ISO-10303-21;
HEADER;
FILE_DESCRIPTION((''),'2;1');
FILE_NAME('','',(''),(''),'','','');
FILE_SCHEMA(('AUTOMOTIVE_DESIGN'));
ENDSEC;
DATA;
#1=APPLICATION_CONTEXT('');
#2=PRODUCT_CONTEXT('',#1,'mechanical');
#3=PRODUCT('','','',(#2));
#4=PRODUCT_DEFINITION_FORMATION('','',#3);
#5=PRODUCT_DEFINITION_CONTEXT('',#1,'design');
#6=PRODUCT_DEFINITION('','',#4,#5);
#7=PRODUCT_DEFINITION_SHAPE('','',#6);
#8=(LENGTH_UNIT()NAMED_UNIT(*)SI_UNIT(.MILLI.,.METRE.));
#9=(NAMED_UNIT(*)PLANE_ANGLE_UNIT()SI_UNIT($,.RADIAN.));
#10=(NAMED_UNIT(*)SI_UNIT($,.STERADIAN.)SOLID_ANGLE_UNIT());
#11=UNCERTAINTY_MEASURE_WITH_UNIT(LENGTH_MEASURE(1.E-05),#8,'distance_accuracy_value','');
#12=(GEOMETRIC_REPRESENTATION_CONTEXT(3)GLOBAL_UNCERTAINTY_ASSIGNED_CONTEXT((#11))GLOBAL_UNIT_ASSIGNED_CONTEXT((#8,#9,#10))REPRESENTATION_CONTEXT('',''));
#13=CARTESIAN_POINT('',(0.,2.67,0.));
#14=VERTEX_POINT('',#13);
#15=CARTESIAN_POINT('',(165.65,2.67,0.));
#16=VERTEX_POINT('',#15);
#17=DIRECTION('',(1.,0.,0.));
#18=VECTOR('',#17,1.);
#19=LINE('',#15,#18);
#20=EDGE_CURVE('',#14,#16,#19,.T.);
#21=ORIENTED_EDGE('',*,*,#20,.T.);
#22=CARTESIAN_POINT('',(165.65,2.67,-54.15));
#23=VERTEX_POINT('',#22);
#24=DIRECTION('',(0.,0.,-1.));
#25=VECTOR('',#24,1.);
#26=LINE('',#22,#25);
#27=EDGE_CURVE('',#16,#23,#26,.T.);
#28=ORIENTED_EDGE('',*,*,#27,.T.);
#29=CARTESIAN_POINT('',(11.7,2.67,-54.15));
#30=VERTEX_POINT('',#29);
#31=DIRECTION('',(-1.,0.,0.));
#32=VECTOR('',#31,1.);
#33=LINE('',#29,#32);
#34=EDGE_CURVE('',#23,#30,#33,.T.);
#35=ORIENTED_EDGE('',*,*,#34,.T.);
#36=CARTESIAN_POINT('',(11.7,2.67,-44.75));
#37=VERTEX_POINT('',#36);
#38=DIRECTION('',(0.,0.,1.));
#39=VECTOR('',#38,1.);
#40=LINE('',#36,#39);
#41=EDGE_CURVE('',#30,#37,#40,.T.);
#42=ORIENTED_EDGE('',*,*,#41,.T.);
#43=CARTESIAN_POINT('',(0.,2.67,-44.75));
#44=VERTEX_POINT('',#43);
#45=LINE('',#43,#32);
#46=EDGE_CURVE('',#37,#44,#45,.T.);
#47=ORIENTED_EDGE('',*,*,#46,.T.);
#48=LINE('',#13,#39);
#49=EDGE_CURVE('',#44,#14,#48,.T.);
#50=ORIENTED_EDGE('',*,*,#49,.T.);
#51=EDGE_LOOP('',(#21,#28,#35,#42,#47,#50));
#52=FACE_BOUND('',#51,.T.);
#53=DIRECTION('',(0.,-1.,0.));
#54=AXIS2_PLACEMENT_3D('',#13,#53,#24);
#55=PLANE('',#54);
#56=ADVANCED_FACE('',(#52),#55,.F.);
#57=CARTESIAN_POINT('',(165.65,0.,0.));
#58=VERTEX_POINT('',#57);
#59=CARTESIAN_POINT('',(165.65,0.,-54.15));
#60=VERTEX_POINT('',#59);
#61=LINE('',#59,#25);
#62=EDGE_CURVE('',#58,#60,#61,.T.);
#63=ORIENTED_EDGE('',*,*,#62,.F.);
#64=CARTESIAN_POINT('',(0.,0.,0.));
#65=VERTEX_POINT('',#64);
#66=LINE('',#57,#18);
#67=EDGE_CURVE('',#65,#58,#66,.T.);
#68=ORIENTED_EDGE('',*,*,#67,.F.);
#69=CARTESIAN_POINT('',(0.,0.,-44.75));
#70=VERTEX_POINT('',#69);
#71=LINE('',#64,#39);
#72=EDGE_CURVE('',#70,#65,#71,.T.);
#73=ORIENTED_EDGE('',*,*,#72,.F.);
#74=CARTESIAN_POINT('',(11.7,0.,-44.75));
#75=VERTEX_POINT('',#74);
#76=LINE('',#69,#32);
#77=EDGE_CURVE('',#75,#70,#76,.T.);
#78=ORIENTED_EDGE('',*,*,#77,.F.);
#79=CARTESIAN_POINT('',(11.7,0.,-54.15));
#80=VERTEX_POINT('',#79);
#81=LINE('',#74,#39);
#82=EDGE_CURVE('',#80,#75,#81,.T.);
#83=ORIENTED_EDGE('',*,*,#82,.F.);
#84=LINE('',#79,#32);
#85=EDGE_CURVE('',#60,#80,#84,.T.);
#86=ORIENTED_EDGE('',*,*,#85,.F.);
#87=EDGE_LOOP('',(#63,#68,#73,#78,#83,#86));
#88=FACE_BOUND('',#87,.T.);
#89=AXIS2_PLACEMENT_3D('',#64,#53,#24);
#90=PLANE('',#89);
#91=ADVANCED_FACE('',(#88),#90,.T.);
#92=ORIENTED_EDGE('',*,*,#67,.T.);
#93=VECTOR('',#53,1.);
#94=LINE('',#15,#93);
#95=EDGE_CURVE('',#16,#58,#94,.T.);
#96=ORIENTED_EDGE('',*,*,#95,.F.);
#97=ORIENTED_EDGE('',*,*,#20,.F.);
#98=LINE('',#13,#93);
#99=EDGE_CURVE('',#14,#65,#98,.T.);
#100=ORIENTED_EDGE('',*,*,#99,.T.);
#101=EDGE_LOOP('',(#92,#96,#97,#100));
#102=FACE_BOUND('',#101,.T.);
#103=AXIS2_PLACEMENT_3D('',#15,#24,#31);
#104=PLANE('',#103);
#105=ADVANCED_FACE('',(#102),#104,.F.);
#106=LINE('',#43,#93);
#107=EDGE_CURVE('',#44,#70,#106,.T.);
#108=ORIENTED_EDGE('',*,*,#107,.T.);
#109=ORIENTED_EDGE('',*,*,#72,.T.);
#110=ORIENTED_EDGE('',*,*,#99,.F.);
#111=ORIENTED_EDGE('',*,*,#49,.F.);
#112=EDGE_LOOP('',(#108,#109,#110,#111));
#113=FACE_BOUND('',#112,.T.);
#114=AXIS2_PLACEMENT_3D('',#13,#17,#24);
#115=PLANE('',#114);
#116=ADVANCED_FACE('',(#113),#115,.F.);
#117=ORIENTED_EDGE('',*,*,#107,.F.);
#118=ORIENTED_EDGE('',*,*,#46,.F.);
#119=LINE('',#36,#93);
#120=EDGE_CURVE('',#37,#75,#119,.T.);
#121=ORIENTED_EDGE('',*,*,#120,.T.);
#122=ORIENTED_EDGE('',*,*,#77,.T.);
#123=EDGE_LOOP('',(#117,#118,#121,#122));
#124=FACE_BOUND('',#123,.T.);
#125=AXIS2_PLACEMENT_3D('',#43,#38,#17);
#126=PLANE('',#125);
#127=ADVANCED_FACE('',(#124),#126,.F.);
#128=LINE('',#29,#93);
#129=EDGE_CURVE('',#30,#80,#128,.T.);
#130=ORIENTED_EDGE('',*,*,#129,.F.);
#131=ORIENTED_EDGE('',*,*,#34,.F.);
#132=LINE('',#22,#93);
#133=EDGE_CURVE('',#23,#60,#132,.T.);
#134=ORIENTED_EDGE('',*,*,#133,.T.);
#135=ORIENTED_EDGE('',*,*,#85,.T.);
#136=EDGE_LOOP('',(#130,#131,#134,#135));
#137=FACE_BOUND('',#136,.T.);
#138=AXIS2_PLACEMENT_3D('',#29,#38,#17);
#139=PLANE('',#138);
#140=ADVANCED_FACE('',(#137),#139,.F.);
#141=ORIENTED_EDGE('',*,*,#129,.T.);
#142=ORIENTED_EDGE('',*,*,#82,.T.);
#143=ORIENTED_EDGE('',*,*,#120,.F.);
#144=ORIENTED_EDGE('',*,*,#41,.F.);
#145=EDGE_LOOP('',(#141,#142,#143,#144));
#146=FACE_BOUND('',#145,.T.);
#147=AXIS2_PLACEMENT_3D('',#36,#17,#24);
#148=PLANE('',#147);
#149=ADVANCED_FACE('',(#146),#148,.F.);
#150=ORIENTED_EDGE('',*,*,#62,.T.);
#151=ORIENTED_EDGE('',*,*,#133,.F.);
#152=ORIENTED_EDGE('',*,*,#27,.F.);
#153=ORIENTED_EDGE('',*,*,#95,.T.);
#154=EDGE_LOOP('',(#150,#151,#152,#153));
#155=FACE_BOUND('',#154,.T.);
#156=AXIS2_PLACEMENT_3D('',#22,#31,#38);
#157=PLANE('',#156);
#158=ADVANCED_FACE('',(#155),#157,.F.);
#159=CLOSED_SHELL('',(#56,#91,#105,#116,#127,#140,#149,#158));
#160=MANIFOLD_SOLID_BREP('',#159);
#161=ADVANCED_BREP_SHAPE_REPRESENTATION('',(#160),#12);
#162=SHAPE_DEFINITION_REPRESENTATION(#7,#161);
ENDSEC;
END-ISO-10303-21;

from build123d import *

# Parameters (mm, degrees)
BOSS_EXTRUDE1_DEPTH = 2.67


with BuildPart() as part:
    # Sketch1 → Boss-Extrude1 (new body)
    with BuildSketch(Plane(origin=(0, 0, 0), x_dir=(1, 0, 0), z_dir=(0, 1, 0))):
        Polygon((0, 0), (0, 44.75), (11.7, 44.75), (11.7, 54.15), (165.65, 54.15), (165.65, 0), align=None)
    extrude(amount=BOSS_EXTRUDE1_DEPTH)


solid = part.part
